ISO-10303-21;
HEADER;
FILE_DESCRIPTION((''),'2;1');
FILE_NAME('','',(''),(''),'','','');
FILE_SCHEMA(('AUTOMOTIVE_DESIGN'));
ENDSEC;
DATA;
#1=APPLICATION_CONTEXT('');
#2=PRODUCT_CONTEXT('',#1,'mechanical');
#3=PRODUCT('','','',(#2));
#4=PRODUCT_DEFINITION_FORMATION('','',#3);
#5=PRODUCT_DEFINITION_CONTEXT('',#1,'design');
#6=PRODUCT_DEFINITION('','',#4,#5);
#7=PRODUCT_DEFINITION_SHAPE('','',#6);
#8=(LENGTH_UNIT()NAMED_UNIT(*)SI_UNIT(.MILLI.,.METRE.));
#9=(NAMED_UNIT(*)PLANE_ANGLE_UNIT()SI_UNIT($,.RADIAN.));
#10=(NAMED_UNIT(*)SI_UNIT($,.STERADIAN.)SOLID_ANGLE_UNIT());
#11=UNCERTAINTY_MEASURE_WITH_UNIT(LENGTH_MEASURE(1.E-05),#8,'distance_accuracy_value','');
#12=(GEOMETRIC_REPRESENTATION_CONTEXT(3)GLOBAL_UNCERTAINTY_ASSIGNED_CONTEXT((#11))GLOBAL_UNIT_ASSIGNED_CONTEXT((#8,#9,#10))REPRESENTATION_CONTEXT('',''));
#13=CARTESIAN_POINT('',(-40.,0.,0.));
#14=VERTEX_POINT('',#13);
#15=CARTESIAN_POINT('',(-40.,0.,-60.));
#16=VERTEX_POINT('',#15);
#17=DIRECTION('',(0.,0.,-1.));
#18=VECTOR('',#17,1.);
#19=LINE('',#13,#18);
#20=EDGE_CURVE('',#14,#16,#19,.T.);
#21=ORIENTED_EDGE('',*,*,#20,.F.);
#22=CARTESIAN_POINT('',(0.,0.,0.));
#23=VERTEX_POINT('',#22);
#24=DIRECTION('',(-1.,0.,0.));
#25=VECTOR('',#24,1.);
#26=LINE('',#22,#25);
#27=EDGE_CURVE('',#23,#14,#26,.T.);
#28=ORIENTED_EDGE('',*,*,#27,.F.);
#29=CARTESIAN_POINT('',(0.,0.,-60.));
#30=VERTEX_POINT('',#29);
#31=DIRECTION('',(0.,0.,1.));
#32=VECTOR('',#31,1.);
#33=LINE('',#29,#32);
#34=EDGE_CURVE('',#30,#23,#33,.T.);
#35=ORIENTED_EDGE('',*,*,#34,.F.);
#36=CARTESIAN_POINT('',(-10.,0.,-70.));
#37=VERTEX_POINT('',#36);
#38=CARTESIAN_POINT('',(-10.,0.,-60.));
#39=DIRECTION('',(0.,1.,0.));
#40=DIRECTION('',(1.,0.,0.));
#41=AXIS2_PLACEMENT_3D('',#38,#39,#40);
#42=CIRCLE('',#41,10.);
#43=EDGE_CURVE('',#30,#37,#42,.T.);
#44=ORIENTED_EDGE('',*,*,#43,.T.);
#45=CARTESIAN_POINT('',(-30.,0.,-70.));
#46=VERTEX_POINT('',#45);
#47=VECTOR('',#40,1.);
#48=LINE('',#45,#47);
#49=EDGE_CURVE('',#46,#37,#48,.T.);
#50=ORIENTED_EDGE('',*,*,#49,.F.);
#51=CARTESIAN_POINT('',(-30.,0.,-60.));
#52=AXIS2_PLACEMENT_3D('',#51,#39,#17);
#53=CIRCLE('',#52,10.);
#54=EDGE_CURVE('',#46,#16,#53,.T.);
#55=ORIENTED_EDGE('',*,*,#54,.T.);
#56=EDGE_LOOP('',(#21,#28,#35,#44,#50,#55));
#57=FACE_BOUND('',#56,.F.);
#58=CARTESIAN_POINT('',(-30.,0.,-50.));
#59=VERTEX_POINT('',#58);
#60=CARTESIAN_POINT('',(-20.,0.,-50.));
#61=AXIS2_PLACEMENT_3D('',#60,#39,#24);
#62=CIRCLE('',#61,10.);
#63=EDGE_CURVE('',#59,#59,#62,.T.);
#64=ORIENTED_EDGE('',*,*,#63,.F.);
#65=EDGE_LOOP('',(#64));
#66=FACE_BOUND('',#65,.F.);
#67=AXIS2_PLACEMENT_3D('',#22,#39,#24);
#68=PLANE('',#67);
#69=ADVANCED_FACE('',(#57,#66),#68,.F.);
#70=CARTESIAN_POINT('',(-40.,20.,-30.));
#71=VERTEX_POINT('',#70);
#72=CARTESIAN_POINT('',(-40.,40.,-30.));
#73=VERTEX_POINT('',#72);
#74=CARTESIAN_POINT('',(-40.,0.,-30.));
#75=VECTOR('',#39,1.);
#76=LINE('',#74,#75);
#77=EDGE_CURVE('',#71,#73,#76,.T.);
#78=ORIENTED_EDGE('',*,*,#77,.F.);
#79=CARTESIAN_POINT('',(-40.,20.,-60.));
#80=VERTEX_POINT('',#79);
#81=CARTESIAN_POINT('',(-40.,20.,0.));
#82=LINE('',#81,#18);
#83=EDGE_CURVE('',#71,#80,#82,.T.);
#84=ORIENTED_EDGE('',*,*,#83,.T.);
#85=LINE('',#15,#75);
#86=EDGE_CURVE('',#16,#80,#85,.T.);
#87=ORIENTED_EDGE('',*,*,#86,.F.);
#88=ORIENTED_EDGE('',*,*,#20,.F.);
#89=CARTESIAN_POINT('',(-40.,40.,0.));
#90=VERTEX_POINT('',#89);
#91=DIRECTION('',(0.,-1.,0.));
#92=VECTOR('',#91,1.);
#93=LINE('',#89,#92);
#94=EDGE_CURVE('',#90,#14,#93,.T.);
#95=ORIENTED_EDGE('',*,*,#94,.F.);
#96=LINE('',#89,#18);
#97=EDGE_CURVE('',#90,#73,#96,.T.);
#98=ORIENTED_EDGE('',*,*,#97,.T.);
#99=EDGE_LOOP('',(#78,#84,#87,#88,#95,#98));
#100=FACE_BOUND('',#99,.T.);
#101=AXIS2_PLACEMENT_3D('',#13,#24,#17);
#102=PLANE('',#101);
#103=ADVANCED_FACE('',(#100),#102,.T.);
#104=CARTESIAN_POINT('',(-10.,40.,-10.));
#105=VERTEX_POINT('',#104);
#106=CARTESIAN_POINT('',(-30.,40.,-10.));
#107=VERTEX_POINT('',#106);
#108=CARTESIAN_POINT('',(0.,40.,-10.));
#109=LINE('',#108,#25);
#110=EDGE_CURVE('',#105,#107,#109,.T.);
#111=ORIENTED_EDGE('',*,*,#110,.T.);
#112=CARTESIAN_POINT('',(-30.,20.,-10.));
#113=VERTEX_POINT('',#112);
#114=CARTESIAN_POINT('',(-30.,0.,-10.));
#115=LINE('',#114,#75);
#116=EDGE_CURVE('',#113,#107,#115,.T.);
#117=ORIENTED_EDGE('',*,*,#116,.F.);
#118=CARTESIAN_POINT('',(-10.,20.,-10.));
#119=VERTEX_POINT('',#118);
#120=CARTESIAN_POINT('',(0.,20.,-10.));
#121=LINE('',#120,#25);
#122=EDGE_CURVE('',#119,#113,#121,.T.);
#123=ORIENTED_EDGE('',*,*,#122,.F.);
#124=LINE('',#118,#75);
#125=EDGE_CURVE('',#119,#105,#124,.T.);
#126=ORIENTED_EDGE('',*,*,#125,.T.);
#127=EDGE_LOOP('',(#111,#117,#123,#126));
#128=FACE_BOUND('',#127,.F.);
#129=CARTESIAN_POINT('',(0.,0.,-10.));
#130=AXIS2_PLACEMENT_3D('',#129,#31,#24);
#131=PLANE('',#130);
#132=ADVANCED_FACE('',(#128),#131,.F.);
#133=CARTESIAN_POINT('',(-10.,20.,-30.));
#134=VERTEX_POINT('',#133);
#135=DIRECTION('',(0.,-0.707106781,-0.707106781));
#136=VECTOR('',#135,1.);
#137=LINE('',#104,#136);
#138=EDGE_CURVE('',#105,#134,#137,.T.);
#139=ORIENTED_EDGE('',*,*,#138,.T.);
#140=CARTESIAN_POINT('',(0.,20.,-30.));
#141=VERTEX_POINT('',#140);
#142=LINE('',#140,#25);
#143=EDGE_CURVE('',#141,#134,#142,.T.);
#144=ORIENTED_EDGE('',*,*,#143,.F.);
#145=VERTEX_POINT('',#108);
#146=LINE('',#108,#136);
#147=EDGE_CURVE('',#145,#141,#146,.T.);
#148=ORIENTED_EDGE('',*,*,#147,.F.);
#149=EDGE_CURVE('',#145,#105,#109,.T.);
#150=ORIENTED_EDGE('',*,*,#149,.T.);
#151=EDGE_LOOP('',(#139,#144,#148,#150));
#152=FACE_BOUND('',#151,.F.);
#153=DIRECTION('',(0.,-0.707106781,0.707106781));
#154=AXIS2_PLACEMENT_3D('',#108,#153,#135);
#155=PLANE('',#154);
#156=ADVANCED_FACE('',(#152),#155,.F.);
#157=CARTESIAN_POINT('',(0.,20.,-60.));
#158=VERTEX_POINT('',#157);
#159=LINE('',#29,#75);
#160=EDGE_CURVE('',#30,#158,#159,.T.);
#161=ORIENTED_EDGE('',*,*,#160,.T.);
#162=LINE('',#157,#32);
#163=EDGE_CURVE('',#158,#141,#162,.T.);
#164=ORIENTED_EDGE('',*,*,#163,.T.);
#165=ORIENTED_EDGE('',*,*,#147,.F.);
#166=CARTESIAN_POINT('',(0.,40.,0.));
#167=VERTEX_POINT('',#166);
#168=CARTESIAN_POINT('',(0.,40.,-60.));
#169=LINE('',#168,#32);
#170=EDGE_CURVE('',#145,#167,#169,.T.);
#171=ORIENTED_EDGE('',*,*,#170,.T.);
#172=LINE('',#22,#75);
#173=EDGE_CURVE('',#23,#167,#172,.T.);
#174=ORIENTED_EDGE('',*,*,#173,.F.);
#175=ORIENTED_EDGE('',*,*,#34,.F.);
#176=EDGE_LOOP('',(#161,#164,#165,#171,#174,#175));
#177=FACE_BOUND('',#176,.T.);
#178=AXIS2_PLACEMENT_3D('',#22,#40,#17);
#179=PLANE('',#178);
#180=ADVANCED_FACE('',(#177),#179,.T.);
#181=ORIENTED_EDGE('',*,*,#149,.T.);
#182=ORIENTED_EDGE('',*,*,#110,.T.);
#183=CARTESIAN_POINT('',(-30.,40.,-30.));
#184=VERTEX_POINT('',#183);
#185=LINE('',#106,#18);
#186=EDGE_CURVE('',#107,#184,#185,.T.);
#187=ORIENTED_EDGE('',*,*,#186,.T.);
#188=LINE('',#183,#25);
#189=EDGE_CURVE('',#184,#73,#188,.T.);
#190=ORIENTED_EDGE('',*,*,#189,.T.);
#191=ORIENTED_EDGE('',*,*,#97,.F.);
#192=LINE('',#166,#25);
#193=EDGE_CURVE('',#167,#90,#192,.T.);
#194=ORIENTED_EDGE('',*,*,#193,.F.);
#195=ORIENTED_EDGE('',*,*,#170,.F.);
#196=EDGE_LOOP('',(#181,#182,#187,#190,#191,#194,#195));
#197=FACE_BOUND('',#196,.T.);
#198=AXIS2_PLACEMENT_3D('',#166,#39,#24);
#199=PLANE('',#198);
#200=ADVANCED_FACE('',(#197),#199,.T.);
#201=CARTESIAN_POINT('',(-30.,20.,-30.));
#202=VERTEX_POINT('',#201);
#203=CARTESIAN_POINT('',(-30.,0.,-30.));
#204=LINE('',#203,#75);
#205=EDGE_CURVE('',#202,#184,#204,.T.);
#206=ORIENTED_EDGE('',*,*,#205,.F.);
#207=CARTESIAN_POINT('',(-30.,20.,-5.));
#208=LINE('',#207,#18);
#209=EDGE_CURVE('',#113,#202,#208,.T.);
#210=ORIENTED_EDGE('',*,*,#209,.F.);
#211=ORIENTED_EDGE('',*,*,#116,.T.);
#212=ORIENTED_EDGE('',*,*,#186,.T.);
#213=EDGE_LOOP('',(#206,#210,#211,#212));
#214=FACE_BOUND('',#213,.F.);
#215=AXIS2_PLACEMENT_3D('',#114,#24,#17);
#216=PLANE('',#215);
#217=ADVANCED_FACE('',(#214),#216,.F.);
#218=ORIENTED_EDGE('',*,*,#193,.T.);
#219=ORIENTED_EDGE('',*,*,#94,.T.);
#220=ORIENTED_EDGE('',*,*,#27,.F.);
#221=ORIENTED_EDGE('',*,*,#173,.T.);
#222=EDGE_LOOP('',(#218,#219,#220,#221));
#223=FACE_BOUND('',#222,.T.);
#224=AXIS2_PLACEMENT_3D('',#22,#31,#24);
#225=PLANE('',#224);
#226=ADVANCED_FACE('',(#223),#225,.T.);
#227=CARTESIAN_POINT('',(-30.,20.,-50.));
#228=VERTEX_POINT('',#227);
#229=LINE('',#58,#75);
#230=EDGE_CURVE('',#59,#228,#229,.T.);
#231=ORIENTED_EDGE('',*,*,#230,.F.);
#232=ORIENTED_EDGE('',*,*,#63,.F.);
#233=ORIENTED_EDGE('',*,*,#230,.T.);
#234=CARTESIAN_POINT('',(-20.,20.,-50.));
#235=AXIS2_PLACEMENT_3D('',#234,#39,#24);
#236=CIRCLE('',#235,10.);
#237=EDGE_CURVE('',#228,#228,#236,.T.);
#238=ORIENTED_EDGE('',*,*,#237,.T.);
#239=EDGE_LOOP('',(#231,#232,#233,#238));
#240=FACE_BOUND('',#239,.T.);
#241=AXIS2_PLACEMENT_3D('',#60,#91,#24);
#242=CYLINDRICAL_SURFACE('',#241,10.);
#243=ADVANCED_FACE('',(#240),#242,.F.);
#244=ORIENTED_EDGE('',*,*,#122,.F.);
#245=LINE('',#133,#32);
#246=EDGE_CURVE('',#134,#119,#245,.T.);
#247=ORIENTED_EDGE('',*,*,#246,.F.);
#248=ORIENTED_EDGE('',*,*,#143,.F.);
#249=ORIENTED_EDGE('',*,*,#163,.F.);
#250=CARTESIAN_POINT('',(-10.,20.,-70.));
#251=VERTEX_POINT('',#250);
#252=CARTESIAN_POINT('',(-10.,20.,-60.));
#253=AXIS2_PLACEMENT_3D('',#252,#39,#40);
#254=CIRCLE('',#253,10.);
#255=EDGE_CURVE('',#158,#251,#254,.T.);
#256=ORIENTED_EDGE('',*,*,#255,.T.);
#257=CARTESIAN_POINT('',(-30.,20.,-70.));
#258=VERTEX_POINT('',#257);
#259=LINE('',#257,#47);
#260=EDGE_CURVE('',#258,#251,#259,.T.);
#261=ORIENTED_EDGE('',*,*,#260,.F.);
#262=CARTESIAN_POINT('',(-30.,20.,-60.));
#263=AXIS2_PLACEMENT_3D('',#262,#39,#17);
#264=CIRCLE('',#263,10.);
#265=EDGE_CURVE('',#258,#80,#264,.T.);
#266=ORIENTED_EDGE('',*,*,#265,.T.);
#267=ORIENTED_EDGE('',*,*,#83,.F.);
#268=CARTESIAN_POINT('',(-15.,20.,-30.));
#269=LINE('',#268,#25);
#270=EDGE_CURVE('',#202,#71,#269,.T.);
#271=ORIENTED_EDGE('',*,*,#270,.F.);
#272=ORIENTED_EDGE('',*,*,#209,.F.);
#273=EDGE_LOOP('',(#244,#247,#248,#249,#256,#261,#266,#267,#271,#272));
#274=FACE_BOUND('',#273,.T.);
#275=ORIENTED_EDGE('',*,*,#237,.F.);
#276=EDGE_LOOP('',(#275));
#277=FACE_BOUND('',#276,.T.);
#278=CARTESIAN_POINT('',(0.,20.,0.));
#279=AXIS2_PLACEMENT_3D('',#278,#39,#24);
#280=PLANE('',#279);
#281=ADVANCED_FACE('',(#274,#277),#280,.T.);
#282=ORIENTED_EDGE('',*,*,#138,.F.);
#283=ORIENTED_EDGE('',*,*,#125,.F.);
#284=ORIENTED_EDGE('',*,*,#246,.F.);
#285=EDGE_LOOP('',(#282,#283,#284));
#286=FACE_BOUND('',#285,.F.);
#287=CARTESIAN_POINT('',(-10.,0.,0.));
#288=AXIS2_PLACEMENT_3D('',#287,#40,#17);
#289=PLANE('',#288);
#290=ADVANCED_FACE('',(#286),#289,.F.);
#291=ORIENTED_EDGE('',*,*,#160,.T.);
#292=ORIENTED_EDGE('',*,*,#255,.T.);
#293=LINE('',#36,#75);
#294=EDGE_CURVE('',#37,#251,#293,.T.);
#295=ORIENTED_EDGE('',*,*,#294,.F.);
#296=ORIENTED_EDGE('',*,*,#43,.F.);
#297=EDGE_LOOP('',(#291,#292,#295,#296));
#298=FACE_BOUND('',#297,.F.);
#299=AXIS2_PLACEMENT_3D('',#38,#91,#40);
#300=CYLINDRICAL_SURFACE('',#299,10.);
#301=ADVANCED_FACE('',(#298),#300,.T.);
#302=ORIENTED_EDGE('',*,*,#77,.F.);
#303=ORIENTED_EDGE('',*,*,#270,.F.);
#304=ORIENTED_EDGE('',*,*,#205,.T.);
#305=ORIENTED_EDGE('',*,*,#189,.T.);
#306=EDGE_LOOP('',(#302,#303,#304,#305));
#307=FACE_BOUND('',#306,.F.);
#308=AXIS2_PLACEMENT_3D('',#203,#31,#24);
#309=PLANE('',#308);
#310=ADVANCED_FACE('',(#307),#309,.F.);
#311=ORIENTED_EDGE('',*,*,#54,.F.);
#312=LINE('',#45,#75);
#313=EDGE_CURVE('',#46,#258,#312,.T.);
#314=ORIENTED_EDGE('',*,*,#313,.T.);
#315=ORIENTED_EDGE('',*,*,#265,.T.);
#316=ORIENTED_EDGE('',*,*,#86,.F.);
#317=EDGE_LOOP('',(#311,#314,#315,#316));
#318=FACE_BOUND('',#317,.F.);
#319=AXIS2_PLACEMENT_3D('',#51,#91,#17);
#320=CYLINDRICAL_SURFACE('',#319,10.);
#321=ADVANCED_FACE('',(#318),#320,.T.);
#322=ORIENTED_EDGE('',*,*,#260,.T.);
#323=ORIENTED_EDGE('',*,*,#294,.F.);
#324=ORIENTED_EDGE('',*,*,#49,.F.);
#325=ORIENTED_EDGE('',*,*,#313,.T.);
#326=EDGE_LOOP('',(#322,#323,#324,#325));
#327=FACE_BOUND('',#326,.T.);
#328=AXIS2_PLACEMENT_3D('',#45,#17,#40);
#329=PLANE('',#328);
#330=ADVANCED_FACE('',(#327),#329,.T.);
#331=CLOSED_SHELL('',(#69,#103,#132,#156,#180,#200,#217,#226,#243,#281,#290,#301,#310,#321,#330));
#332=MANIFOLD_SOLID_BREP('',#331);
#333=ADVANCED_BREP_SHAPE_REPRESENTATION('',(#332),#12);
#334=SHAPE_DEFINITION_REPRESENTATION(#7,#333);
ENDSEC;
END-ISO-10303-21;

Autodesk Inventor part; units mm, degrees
ref_plane "YZ Plane" through (0, 0, 0) normal (1, 0, 0) x (0, 1, 0)
ref_plane "XZ Plane" through (0, 0, 0) normal (0, 1, 0) x (-1, 0, 0)
ref_plane "XY Plane" through (0, 0, 0) normal (0, 0, 1) x (1, 0, 0)
sketch "草圖1" plane through (0, 0, 0) normal (0, 1, 0) x (-1, 0, 0)
  line L0 (0, 0) -> (40, 0)
  line L1 (40, 0) -> (40, -60)
  line L2 (30, -70) -> (10, -70)
  line L3 (0, -60) -> (0, 0)
  circle A0 centre (20, -50) radius 10
  arc A1 (30, -70) -> (40, -60) centre (30, -60) ccw
  arc A2 (0, -60) -> (10, -70) centre (10, -60) ccw
  line L4 (0, -10) -> (30, -10)
  line L5 (30, -10) -> (30, -30)
  line L6 (30, -30) -> (40, -30)
  point P0 (40, -70)
  point P1 (0, -70)
  point P2 (40, -10)
  point P3 (0, -30)
  dimension "d0" = 40
  dimension "d1" = 70
  dimension "d5" = 20
  dimension "d6" = 20
  dimension "d7" = 20
  dimension "d8" = 10
  dimension "d18" = 30
  dimension "d19" = 20
  dimension "d20" = 10
extrude "擠出1" add sketch "草圖1" along normal blind 40 contours L0 L1 L6 L5 L4 L3
extrude "擠出2" add sketch "草圖1" along normal blind 20
sketch "草圖3" plane through (0, 0, 0) normal (1, 0, 0) x (0, 0, -1)
  line L0 (10, 40) -> (30, 20)
  line L1 (10, 20) -> (10, 40) projected
  line L2 (30, 20) -> (10, 20)
  line L3 (10, 20) -> (10, 40)
  point P0 (0, 0)
extrude "擠出4" add sketch "草圖3" against normal blind 10
